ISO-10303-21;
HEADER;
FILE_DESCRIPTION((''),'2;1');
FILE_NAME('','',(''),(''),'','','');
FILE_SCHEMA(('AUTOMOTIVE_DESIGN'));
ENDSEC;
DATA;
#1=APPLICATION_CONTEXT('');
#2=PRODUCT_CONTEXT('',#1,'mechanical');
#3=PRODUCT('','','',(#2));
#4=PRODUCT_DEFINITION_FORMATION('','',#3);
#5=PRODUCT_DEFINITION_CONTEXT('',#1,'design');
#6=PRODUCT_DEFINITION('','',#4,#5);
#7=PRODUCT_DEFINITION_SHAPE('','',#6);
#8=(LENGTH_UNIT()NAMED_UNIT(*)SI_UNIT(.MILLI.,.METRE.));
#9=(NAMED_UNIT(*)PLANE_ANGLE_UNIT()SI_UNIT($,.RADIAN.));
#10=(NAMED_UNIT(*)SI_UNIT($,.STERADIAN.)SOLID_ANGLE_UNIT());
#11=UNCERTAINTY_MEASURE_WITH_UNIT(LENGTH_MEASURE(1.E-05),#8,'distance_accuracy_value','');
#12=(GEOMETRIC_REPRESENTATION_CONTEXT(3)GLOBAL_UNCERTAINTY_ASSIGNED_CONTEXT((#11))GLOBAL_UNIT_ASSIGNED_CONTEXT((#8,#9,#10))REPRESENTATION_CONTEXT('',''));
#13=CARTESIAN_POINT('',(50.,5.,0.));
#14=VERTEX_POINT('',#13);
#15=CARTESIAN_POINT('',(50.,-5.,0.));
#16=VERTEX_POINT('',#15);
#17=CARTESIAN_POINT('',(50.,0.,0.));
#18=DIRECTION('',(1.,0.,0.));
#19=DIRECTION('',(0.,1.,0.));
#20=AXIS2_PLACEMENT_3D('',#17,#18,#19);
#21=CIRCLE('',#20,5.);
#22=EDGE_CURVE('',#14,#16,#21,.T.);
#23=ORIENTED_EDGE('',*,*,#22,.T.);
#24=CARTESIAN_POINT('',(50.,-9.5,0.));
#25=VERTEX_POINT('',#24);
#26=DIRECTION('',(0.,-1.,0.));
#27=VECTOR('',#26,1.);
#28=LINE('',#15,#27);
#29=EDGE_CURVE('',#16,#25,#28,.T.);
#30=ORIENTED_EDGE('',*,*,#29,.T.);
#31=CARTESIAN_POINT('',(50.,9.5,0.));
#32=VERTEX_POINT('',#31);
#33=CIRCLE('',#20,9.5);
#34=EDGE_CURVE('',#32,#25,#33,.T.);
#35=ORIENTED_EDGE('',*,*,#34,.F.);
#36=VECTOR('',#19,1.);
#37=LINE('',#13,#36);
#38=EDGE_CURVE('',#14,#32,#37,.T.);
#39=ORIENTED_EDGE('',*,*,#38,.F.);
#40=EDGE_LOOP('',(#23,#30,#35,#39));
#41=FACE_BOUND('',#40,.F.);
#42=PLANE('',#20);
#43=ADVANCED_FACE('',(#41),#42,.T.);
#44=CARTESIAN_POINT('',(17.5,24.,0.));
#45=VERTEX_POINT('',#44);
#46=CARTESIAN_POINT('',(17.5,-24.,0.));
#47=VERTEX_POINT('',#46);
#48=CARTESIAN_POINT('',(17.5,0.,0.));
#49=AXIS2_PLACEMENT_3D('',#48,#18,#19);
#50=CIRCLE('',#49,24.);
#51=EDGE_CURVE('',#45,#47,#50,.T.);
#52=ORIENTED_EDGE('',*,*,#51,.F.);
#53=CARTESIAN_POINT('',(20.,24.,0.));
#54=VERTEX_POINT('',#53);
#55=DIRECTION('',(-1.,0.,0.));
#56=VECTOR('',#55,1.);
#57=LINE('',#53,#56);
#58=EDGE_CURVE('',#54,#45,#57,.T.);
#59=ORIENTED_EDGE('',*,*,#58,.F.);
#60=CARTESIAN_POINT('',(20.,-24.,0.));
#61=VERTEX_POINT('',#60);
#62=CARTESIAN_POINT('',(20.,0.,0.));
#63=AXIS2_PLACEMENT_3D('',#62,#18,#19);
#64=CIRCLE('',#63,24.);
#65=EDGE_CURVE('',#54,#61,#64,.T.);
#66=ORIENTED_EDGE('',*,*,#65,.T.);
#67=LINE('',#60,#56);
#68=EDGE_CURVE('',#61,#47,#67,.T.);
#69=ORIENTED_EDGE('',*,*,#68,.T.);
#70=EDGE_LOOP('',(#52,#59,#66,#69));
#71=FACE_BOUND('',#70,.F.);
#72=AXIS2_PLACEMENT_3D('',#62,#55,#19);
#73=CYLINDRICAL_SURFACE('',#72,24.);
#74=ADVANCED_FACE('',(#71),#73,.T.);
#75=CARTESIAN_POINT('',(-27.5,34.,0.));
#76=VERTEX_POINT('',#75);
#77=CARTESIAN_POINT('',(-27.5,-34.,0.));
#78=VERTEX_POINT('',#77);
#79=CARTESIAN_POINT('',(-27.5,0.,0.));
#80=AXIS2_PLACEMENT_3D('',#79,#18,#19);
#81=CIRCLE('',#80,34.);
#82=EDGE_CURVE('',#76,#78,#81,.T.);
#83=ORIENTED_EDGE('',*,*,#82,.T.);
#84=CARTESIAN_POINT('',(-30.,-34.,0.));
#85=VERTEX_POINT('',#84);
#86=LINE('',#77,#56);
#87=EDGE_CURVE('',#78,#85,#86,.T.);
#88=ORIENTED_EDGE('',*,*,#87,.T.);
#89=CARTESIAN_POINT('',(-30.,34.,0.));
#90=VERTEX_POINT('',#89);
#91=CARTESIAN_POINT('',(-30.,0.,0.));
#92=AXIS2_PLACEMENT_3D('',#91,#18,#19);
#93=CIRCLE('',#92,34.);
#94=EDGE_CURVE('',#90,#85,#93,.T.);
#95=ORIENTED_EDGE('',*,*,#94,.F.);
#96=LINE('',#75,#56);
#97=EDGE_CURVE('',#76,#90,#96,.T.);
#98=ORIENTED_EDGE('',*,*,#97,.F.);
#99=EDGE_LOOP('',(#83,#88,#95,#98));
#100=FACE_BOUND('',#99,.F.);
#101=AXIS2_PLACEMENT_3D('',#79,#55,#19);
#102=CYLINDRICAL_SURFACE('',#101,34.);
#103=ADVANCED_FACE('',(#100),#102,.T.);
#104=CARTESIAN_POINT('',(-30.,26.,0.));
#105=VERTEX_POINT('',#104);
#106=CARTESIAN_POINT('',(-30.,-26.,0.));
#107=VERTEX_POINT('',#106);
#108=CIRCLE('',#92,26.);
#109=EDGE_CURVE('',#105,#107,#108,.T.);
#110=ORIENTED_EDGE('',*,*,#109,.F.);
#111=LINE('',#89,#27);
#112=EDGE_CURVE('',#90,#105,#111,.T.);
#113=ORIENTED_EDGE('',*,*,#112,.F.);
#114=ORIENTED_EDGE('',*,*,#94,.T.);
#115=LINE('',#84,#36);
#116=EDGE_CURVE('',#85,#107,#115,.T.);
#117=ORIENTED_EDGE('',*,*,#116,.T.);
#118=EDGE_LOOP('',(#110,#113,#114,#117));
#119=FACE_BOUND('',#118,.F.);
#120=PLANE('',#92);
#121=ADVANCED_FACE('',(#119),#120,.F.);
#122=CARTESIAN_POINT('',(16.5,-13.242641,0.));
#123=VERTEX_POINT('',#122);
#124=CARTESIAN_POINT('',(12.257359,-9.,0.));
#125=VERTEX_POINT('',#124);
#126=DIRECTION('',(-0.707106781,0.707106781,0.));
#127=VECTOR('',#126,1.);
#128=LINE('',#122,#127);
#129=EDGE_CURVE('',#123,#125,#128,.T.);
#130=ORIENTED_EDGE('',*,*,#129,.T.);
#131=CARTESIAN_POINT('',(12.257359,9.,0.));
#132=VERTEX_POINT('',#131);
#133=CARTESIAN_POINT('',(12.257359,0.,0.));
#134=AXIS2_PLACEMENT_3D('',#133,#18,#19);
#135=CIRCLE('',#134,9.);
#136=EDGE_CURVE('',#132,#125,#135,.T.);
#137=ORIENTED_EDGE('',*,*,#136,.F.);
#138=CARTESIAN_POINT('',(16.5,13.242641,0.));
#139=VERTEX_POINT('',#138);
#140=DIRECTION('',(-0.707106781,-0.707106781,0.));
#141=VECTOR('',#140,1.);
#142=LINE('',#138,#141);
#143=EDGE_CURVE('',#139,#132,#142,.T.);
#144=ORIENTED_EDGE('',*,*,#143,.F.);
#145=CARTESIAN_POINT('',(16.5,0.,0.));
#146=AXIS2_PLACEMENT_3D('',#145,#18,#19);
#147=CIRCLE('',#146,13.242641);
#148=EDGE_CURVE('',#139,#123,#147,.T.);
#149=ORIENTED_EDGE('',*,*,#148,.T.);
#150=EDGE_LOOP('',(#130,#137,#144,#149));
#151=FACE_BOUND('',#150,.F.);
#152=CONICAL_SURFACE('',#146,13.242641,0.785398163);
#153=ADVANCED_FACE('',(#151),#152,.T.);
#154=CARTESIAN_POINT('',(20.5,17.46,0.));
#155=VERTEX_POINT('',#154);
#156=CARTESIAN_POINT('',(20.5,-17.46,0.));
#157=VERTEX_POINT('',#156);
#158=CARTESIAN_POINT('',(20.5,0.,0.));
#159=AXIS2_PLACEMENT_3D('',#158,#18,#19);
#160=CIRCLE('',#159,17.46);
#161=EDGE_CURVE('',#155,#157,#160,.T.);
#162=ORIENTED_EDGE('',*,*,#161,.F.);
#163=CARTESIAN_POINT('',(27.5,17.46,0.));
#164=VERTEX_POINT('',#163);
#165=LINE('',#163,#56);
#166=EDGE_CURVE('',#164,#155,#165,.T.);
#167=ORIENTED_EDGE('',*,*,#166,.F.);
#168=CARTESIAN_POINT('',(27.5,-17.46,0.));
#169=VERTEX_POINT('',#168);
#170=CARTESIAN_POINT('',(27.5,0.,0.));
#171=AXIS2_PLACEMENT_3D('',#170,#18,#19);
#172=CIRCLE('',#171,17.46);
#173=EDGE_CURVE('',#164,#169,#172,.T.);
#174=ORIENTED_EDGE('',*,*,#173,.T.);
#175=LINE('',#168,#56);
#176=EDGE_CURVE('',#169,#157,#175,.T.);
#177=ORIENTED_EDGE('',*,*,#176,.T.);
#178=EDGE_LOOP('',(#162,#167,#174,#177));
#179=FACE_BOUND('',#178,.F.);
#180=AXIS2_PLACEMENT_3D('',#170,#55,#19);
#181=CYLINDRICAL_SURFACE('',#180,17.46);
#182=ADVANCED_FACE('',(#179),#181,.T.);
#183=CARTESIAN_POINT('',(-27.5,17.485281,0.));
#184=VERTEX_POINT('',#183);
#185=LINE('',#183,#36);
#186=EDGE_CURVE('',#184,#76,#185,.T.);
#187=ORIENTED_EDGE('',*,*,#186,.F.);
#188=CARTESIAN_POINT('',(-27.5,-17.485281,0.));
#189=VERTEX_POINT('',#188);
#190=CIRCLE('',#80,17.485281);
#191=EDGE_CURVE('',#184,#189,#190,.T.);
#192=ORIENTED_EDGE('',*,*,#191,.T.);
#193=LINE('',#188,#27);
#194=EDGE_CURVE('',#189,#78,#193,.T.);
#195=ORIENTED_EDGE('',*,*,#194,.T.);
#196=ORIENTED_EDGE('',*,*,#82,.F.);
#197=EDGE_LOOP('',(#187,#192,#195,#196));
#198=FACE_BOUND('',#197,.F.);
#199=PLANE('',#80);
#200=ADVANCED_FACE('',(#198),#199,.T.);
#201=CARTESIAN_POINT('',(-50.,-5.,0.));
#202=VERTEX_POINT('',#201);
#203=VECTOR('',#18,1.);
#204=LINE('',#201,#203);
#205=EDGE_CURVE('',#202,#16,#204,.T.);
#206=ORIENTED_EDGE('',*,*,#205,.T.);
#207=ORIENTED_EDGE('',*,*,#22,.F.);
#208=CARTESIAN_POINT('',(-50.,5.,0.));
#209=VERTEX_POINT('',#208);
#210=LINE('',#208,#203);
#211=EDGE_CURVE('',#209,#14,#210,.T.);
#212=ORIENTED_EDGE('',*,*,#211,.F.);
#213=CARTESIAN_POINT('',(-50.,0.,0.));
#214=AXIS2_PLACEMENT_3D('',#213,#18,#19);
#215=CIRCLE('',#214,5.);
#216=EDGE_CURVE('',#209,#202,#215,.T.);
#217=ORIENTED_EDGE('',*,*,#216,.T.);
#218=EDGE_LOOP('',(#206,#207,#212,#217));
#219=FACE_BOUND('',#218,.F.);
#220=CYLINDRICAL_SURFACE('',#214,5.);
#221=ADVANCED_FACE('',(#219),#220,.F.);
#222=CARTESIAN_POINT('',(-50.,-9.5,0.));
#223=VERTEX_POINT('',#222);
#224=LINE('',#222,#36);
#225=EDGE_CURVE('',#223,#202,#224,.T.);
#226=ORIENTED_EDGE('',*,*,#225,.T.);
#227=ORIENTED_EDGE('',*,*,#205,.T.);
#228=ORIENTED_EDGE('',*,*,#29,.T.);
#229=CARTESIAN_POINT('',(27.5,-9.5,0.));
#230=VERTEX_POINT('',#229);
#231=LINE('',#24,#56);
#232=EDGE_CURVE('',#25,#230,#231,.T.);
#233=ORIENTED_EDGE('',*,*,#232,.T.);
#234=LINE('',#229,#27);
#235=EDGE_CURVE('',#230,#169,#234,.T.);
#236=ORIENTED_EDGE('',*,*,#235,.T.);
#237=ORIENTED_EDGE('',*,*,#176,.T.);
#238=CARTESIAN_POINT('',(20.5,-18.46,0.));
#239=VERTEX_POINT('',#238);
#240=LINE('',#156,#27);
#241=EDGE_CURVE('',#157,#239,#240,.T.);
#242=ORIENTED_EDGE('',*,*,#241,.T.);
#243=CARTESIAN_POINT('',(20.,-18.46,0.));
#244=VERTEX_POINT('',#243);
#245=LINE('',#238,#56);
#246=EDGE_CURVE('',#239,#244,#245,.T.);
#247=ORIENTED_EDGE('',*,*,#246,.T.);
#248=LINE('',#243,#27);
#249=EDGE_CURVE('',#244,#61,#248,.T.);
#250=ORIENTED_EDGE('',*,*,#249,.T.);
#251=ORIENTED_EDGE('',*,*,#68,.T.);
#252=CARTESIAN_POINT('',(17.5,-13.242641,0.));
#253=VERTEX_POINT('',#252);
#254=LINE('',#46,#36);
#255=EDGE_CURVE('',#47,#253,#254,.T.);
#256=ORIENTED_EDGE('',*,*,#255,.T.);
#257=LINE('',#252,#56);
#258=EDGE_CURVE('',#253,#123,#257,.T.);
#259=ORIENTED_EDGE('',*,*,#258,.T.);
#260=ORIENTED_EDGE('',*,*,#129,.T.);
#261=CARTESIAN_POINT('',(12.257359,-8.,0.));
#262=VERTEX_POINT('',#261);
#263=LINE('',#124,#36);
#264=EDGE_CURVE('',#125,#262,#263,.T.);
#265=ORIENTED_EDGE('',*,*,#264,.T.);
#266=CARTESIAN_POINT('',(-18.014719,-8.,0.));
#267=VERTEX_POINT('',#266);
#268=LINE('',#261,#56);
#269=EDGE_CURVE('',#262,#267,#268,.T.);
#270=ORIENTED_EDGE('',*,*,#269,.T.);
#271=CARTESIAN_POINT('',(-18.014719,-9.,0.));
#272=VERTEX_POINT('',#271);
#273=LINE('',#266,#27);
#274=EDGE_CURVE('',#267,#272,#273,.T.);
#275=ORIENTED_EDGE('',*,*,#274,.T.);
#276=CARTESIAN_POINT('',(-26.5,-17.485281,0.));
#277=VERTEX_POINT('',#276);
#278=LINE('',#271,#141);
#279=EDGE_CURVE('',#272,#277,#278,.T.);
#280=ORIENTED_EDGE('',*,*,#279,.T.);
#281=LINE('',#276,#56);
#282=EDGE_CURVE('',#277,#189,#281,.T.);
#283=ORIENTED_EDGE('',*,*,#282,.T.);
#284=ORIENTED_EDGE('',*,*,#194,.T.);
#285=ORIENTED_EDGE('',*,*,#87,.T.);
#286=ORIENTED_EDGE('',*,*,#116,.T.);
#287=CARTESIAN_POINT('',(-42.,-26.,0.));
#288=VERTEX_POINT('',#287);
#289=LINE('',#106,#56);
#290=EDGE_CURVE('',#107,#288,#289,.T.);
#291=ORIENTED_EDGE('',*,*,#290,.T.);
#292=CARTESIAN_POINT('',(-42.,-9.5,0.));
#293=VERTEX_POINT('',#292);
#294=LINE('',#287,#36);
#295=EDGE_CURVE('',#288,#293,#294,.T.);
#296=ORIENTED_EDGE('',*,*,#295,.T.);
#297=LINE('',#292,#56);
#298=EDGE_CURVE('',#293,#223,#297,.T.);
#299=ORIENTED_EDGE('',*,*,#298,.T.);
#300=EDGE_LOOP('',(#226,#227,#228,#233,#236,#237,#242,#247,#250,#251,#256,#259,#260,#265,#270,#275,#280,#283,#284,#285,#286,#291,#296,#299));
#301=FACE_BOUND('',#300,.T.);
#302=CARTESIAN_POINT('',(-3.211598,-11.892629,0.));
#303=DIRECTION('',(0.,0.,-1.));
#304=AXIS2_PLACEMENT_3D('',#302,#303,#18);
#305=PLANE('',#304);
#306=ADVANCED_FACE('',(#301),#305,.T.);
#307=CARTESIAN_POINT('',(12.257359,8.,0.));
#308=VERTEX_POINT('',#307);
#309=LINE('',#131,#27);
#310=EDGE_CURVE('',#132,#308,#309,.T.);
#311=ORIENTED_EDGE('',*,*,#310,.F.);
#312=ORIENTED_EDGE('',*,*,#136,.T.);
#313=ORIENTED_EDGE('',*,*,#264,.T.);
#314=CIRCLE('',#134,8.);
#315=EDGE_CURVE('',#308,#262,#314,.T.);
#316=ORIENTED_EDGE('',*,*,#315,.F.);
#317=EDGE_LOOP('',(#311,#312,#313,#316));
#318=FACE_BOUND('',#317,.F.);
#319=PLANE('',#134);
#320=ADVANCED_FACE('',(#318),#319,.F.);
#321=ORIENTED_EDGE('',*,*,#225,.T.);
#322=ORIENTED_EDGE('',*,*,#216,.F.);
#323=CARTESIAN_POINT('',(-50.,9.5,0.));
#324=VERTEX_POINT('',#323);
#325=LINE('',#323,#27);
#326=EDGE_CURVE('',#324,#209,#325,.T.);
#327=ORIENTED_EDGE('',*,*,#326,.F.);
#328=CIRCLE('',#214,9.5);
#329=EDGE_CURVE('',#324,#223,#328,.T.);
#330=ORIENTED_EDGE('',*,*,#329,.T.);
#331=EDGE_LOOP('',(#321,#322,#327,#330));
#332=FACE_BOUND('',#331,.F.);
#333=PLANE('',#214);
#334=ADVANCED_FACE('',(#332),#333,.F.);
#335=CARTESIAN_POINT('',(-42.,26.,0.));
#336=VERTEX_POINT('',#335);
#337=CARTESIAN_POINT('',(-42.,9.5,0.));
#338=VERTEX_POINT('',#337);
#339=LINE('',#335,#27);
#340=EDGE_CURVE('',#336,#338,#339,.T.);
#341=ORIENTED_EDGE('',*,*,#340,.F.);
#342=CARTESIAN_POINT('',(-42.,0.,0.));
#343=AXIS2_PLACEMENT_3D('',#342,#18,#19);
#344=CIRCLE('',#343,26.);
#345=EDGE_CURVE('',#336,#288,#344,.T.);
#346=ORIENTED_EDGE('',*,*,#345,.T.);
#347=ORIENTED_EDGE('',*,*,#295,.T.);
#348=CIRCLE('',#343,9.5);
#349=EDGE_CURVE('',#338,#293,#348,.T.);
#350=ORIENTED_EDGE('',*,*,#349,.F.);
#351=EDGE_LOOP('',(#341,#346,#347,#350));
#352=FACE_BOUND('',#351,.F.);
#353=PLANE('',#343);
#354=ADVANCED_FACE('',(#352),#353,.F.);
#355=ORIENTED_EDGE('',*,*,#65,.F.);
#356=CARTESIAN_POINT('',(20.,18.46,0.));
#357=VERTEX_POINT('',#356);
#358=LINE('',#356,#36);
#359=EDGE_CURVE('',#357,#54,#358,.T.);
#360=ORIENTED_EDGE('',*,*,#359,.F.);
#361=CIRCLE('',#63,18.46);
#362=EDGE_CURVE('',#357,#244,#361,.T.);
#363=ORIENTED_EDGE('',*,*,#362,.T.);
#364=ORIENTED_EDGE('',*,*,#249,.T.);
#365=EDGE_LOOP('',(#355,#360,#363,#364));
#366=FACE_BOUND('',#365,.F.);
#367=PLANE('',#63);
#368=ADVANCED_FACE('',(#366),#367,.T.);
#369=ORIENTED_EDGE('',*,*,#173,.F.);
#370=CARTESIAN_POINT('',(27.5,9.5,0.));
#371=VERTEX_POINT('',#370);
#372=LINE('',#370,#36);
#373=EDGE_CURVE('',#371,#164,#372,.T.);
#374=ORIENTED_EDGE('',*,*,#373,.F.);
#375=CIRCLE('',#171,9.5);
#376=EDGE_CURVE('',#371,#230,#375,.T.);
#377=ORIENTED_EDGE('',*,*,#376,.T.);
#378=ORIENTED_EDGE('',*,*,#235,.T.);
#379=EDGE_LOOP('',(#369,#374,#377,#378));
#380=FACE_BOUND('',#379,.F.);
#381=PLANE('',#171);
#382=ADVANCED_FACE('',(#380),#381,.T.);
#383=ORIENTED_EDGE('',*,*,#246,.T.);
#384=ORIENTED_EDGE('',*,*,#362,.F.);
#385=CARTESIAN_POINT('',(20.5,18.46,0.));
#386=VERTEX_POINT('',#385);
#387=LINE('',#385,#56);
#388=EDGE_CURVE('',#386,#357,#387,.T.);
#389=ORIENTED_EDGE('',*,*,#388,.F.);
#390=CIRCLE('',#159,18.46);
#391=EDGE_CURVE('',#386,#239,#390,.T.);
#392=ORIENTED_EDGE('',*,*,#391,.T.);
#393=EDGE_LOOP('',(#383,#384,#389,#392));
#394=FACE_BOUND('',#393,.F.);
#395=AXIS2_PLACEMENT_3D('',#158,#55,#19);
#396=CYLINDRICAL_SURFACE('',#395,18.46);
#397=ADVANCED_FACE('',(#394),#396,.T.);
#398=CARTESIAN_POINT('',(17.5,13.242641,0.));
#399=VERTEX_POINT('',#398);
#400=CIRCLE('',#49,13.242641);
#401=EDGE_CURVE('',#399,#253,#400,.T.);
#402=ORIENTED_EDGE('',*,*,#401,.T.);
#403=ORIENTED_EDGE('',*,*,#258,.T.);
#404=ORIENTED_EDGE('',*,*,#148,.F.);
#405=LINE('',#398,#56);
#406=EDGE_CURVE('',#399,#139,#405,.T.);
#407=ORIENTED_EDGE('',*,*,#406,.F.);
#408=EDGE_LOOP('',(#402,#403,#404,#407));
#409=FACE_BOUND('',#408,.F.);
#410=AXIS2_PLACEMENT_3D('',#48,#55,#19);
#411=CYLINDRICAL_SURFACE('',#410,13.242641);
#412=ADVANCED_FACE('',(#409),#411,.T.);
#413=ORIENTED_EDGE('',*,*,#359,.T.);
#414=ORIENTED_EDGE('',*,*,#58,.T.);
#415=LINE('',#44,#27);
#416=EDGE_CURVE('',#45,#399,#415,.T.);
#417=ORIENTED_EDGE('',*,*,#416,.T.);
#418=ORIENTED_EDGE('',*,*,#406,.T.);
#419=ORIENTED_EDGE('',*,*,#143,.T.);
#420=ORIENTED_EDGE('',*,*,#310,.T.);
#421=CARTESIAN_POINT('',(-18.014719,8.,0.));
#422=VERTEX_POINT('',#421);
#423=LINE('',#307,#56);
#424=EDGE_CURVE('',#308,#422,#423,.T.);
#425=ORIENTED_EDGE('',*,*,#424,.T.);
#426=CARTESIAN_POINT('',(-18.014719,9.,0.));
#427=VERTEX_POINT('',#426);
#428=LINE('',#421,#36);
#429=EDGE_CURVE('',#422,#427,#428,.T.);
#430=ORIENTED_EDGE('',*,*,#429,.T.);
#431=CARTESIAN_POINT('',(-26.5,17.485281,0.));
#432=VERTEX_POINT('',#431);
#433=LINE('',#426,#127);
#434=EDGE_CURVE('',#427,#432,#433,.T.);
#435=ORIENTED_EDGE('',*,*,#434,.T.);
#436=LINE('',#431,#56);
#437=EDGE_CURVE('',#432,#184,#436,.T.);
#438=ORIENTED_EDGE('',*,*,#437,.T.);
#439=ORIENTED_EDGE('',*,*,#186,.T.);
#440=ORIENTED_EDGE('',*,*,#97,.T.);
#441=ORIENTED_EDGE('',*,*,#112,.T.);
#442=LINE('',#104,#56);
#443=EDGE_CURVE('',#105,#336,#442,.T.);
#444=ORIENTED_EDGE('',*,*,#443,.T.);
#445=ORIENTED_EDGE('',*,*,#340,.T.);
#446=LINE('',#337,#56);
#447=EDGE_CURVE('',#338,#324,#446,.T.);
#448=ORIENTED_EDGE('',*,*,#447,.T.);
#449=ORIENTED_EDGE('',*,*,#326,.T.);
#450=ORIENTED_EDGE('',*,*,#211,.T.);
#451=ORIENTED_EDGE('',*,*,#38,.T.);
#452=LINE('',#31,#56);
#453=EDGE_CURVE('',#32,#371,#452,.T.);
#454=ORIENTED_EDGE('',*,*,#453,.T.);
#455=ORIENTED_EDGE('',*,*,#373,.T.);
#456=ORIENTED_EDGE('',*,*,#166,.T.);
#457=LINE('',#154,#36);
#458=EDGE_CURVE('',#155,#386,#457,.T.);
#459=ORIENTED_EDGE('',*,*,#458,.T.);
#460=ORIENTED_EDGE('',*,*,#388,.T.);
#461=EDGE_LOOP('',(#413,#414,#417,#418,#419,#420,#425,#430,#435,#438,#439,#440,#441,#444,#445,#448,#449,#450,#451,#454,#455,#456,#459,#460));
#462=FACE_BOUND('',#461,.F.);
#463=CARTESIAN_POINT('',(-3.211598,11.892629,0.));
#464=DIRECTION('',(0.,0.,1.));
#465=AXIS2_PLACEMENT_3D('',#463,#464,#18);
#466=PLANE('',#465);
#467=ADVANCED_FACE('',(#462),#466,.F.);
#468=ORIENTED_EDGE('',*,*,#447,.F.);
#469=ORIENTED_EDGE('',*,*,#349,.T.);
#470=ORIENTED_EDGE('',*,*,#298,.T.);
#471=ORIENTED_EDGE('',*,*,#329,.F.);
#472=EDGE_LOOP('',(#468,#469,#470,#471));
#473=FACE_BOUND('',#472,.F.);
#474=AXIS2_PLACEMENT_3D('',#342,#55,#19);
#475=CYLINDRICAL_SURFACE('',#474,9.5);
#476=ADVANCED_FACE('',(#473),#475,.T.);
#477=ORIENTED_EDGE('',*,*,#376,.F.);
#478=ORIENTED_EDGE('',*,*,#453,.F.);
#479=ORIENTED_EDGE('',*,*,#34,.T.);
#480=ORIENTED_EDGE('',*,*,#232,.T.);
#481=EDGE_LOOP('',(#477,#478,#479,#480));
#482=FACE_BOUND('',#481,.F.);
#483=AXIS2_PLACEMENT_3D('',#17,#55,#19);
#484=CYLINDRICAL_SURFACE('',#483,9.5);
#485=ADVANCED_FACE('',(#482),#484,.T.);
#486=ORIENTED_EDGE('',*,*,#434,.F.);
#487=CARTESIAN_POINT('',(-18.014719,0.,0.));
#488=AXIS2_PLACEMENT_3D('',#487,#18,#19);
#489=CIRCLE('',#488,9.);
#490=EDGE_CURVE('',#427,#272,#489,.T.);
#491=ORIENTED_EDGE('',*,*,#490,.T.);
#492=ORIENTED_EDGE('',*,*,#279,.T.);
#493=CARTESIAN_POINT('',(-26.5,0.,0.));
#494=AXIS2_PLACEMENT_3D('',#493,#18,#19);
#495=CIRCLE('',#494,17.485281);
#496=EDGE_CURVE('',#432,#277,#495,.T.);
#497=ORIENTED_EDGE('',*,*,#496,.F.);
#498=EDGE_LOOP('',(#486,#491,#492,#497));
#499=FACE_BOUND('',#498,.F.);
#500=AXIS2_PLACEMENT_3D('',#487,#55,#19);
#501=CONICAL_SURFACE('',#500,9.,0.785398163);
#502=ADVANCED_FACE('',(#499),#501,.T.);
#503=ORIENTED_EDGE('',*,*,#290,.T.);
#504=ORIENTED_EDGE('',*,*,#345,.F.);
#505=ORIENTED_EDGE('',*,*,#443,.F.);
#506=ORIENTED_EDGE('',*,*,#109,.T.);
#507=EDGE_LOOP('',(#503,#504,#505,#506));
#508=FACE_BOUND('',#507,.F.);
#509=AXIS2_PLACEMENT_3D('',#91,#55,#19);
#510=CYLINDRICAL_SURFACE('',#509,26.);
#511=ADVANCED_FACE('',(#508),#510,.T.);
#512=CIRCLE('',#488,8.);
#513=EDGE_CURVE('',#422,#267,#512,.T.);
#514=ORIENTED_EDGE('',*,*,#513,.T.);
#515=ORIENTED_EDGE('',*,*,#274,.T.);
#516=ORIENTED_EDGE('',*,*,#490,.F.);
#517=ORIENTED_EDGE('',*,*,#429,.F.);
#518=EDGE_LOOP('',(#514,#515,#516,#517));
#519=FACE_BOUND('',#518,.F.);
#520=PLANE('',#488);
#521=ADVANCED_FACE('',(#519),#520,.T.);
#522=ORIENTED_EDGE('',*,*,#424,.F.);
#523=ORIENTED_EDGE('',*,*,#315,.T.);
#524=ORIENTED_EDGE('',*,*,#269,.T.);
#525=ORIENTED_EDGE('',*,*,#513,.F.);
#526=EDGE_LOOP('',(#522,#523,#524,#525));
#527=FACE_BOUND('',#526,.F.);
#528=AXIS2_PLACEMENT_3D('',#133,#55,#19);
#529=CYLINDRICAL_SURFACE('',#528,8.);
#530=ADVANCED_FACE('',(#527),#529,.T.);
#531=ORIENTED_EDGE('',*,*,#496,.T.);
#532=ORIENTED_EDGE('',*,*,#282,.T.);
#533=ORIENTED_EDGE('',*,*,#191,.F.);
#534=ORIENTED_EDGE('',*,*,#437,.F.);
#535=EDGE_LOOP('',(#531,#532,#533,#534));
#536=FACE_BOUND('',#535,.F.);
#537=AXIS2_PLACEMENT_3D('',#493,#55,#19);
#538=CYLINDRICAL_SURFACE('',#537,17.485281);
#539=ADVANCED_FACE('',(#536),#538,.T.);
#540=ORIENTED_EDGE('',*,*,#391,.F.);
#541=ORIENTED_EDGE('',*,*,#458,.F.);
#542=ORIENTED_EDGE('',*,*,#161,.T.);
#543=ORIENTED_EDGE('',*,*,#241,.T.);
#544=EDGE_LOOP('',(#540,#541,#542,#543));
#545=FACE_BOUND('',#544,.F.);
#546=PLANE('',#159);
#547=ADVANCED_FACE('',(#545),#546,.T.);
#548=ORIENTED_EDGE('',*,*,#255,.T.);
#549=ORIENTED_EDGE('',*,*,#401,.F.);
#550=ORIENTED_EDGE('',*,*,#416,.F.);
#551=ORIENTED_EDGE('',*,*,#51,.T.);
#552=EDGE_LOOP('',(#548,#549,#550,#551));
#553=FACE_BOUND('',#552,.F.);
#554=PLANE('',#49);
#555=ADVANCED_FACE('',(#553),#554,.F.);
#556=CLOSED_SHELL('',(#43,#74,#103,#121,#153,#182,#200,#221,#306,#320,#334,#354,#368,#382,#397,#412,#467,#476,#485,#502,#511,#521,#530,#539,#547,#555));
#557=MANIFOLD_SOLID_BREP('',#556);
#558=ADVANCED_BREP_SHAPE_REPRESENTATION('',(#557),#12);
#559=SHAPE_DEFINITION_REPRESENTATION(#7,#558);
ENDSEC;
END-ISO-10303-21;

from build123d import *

# Parameters (mm, degrees)
REVOLUTION_ANGLE   = 180
SKETCH001_R        = 2.5
POCKET_DEPTH       = 22
POLARPATTERN_COUNT = 12


with BuildPart() as part:
    # Sketch → Revolution (revolve)
    with BuildSketch(Plane.XY):
        Polygon((27.5, 9.5), (27.5, 17.46), (20.5, 17.46), (20.5, 18.46), (20, 18.46), (20, 24), (17.5, 24), (17.5, 13.242641), (16.5, 13.242641), (12.257359, 9), (12.257359, 8), (-18.014719, 8), (-18.014719, 9), (-26.5, 17.485281), (-27.5, 17.485281), (-27.5, 34), (-30, 34), (-30, 26), (-42, 26), (-42, 9.5), (-50, 9.5), (-50, 5), (50, 5), (50, 9.5), align=None)
    revolve(axis=Axis((0, 0, 0), (1, 0, 0)), revolution_arc=REVOLUTION_ANGLE)

    # Sketch001 → Pocket (cut)
    with BuildSketch(Plane(origin=(-74.5, 0, 0), x_dir=(0, -1, 0), z_dir=(-1, 0, 0))):
        with Locations((0, 22)):
            Circle(SKETCH001_R)
        with Locations((0, 15)):
            Circle(SKETCH001_R)
    pocket = extrude(amount=-POCKET_DEPTH, mode=Mode.SUBTRACT)

    # PolarPattern: Pocket ×12 about axis
    polarpattern_axis = Axis((-74.5, 0, 0), (-1, 0, 0))
    for i in range(1, POLARPATTERN_COUNT):
        add(pocket.rotate(polarpattern_axis, i * 360 / POLARPATTERN_COUNT), mode=Mode.SUBTRACT)


solid = part.part
